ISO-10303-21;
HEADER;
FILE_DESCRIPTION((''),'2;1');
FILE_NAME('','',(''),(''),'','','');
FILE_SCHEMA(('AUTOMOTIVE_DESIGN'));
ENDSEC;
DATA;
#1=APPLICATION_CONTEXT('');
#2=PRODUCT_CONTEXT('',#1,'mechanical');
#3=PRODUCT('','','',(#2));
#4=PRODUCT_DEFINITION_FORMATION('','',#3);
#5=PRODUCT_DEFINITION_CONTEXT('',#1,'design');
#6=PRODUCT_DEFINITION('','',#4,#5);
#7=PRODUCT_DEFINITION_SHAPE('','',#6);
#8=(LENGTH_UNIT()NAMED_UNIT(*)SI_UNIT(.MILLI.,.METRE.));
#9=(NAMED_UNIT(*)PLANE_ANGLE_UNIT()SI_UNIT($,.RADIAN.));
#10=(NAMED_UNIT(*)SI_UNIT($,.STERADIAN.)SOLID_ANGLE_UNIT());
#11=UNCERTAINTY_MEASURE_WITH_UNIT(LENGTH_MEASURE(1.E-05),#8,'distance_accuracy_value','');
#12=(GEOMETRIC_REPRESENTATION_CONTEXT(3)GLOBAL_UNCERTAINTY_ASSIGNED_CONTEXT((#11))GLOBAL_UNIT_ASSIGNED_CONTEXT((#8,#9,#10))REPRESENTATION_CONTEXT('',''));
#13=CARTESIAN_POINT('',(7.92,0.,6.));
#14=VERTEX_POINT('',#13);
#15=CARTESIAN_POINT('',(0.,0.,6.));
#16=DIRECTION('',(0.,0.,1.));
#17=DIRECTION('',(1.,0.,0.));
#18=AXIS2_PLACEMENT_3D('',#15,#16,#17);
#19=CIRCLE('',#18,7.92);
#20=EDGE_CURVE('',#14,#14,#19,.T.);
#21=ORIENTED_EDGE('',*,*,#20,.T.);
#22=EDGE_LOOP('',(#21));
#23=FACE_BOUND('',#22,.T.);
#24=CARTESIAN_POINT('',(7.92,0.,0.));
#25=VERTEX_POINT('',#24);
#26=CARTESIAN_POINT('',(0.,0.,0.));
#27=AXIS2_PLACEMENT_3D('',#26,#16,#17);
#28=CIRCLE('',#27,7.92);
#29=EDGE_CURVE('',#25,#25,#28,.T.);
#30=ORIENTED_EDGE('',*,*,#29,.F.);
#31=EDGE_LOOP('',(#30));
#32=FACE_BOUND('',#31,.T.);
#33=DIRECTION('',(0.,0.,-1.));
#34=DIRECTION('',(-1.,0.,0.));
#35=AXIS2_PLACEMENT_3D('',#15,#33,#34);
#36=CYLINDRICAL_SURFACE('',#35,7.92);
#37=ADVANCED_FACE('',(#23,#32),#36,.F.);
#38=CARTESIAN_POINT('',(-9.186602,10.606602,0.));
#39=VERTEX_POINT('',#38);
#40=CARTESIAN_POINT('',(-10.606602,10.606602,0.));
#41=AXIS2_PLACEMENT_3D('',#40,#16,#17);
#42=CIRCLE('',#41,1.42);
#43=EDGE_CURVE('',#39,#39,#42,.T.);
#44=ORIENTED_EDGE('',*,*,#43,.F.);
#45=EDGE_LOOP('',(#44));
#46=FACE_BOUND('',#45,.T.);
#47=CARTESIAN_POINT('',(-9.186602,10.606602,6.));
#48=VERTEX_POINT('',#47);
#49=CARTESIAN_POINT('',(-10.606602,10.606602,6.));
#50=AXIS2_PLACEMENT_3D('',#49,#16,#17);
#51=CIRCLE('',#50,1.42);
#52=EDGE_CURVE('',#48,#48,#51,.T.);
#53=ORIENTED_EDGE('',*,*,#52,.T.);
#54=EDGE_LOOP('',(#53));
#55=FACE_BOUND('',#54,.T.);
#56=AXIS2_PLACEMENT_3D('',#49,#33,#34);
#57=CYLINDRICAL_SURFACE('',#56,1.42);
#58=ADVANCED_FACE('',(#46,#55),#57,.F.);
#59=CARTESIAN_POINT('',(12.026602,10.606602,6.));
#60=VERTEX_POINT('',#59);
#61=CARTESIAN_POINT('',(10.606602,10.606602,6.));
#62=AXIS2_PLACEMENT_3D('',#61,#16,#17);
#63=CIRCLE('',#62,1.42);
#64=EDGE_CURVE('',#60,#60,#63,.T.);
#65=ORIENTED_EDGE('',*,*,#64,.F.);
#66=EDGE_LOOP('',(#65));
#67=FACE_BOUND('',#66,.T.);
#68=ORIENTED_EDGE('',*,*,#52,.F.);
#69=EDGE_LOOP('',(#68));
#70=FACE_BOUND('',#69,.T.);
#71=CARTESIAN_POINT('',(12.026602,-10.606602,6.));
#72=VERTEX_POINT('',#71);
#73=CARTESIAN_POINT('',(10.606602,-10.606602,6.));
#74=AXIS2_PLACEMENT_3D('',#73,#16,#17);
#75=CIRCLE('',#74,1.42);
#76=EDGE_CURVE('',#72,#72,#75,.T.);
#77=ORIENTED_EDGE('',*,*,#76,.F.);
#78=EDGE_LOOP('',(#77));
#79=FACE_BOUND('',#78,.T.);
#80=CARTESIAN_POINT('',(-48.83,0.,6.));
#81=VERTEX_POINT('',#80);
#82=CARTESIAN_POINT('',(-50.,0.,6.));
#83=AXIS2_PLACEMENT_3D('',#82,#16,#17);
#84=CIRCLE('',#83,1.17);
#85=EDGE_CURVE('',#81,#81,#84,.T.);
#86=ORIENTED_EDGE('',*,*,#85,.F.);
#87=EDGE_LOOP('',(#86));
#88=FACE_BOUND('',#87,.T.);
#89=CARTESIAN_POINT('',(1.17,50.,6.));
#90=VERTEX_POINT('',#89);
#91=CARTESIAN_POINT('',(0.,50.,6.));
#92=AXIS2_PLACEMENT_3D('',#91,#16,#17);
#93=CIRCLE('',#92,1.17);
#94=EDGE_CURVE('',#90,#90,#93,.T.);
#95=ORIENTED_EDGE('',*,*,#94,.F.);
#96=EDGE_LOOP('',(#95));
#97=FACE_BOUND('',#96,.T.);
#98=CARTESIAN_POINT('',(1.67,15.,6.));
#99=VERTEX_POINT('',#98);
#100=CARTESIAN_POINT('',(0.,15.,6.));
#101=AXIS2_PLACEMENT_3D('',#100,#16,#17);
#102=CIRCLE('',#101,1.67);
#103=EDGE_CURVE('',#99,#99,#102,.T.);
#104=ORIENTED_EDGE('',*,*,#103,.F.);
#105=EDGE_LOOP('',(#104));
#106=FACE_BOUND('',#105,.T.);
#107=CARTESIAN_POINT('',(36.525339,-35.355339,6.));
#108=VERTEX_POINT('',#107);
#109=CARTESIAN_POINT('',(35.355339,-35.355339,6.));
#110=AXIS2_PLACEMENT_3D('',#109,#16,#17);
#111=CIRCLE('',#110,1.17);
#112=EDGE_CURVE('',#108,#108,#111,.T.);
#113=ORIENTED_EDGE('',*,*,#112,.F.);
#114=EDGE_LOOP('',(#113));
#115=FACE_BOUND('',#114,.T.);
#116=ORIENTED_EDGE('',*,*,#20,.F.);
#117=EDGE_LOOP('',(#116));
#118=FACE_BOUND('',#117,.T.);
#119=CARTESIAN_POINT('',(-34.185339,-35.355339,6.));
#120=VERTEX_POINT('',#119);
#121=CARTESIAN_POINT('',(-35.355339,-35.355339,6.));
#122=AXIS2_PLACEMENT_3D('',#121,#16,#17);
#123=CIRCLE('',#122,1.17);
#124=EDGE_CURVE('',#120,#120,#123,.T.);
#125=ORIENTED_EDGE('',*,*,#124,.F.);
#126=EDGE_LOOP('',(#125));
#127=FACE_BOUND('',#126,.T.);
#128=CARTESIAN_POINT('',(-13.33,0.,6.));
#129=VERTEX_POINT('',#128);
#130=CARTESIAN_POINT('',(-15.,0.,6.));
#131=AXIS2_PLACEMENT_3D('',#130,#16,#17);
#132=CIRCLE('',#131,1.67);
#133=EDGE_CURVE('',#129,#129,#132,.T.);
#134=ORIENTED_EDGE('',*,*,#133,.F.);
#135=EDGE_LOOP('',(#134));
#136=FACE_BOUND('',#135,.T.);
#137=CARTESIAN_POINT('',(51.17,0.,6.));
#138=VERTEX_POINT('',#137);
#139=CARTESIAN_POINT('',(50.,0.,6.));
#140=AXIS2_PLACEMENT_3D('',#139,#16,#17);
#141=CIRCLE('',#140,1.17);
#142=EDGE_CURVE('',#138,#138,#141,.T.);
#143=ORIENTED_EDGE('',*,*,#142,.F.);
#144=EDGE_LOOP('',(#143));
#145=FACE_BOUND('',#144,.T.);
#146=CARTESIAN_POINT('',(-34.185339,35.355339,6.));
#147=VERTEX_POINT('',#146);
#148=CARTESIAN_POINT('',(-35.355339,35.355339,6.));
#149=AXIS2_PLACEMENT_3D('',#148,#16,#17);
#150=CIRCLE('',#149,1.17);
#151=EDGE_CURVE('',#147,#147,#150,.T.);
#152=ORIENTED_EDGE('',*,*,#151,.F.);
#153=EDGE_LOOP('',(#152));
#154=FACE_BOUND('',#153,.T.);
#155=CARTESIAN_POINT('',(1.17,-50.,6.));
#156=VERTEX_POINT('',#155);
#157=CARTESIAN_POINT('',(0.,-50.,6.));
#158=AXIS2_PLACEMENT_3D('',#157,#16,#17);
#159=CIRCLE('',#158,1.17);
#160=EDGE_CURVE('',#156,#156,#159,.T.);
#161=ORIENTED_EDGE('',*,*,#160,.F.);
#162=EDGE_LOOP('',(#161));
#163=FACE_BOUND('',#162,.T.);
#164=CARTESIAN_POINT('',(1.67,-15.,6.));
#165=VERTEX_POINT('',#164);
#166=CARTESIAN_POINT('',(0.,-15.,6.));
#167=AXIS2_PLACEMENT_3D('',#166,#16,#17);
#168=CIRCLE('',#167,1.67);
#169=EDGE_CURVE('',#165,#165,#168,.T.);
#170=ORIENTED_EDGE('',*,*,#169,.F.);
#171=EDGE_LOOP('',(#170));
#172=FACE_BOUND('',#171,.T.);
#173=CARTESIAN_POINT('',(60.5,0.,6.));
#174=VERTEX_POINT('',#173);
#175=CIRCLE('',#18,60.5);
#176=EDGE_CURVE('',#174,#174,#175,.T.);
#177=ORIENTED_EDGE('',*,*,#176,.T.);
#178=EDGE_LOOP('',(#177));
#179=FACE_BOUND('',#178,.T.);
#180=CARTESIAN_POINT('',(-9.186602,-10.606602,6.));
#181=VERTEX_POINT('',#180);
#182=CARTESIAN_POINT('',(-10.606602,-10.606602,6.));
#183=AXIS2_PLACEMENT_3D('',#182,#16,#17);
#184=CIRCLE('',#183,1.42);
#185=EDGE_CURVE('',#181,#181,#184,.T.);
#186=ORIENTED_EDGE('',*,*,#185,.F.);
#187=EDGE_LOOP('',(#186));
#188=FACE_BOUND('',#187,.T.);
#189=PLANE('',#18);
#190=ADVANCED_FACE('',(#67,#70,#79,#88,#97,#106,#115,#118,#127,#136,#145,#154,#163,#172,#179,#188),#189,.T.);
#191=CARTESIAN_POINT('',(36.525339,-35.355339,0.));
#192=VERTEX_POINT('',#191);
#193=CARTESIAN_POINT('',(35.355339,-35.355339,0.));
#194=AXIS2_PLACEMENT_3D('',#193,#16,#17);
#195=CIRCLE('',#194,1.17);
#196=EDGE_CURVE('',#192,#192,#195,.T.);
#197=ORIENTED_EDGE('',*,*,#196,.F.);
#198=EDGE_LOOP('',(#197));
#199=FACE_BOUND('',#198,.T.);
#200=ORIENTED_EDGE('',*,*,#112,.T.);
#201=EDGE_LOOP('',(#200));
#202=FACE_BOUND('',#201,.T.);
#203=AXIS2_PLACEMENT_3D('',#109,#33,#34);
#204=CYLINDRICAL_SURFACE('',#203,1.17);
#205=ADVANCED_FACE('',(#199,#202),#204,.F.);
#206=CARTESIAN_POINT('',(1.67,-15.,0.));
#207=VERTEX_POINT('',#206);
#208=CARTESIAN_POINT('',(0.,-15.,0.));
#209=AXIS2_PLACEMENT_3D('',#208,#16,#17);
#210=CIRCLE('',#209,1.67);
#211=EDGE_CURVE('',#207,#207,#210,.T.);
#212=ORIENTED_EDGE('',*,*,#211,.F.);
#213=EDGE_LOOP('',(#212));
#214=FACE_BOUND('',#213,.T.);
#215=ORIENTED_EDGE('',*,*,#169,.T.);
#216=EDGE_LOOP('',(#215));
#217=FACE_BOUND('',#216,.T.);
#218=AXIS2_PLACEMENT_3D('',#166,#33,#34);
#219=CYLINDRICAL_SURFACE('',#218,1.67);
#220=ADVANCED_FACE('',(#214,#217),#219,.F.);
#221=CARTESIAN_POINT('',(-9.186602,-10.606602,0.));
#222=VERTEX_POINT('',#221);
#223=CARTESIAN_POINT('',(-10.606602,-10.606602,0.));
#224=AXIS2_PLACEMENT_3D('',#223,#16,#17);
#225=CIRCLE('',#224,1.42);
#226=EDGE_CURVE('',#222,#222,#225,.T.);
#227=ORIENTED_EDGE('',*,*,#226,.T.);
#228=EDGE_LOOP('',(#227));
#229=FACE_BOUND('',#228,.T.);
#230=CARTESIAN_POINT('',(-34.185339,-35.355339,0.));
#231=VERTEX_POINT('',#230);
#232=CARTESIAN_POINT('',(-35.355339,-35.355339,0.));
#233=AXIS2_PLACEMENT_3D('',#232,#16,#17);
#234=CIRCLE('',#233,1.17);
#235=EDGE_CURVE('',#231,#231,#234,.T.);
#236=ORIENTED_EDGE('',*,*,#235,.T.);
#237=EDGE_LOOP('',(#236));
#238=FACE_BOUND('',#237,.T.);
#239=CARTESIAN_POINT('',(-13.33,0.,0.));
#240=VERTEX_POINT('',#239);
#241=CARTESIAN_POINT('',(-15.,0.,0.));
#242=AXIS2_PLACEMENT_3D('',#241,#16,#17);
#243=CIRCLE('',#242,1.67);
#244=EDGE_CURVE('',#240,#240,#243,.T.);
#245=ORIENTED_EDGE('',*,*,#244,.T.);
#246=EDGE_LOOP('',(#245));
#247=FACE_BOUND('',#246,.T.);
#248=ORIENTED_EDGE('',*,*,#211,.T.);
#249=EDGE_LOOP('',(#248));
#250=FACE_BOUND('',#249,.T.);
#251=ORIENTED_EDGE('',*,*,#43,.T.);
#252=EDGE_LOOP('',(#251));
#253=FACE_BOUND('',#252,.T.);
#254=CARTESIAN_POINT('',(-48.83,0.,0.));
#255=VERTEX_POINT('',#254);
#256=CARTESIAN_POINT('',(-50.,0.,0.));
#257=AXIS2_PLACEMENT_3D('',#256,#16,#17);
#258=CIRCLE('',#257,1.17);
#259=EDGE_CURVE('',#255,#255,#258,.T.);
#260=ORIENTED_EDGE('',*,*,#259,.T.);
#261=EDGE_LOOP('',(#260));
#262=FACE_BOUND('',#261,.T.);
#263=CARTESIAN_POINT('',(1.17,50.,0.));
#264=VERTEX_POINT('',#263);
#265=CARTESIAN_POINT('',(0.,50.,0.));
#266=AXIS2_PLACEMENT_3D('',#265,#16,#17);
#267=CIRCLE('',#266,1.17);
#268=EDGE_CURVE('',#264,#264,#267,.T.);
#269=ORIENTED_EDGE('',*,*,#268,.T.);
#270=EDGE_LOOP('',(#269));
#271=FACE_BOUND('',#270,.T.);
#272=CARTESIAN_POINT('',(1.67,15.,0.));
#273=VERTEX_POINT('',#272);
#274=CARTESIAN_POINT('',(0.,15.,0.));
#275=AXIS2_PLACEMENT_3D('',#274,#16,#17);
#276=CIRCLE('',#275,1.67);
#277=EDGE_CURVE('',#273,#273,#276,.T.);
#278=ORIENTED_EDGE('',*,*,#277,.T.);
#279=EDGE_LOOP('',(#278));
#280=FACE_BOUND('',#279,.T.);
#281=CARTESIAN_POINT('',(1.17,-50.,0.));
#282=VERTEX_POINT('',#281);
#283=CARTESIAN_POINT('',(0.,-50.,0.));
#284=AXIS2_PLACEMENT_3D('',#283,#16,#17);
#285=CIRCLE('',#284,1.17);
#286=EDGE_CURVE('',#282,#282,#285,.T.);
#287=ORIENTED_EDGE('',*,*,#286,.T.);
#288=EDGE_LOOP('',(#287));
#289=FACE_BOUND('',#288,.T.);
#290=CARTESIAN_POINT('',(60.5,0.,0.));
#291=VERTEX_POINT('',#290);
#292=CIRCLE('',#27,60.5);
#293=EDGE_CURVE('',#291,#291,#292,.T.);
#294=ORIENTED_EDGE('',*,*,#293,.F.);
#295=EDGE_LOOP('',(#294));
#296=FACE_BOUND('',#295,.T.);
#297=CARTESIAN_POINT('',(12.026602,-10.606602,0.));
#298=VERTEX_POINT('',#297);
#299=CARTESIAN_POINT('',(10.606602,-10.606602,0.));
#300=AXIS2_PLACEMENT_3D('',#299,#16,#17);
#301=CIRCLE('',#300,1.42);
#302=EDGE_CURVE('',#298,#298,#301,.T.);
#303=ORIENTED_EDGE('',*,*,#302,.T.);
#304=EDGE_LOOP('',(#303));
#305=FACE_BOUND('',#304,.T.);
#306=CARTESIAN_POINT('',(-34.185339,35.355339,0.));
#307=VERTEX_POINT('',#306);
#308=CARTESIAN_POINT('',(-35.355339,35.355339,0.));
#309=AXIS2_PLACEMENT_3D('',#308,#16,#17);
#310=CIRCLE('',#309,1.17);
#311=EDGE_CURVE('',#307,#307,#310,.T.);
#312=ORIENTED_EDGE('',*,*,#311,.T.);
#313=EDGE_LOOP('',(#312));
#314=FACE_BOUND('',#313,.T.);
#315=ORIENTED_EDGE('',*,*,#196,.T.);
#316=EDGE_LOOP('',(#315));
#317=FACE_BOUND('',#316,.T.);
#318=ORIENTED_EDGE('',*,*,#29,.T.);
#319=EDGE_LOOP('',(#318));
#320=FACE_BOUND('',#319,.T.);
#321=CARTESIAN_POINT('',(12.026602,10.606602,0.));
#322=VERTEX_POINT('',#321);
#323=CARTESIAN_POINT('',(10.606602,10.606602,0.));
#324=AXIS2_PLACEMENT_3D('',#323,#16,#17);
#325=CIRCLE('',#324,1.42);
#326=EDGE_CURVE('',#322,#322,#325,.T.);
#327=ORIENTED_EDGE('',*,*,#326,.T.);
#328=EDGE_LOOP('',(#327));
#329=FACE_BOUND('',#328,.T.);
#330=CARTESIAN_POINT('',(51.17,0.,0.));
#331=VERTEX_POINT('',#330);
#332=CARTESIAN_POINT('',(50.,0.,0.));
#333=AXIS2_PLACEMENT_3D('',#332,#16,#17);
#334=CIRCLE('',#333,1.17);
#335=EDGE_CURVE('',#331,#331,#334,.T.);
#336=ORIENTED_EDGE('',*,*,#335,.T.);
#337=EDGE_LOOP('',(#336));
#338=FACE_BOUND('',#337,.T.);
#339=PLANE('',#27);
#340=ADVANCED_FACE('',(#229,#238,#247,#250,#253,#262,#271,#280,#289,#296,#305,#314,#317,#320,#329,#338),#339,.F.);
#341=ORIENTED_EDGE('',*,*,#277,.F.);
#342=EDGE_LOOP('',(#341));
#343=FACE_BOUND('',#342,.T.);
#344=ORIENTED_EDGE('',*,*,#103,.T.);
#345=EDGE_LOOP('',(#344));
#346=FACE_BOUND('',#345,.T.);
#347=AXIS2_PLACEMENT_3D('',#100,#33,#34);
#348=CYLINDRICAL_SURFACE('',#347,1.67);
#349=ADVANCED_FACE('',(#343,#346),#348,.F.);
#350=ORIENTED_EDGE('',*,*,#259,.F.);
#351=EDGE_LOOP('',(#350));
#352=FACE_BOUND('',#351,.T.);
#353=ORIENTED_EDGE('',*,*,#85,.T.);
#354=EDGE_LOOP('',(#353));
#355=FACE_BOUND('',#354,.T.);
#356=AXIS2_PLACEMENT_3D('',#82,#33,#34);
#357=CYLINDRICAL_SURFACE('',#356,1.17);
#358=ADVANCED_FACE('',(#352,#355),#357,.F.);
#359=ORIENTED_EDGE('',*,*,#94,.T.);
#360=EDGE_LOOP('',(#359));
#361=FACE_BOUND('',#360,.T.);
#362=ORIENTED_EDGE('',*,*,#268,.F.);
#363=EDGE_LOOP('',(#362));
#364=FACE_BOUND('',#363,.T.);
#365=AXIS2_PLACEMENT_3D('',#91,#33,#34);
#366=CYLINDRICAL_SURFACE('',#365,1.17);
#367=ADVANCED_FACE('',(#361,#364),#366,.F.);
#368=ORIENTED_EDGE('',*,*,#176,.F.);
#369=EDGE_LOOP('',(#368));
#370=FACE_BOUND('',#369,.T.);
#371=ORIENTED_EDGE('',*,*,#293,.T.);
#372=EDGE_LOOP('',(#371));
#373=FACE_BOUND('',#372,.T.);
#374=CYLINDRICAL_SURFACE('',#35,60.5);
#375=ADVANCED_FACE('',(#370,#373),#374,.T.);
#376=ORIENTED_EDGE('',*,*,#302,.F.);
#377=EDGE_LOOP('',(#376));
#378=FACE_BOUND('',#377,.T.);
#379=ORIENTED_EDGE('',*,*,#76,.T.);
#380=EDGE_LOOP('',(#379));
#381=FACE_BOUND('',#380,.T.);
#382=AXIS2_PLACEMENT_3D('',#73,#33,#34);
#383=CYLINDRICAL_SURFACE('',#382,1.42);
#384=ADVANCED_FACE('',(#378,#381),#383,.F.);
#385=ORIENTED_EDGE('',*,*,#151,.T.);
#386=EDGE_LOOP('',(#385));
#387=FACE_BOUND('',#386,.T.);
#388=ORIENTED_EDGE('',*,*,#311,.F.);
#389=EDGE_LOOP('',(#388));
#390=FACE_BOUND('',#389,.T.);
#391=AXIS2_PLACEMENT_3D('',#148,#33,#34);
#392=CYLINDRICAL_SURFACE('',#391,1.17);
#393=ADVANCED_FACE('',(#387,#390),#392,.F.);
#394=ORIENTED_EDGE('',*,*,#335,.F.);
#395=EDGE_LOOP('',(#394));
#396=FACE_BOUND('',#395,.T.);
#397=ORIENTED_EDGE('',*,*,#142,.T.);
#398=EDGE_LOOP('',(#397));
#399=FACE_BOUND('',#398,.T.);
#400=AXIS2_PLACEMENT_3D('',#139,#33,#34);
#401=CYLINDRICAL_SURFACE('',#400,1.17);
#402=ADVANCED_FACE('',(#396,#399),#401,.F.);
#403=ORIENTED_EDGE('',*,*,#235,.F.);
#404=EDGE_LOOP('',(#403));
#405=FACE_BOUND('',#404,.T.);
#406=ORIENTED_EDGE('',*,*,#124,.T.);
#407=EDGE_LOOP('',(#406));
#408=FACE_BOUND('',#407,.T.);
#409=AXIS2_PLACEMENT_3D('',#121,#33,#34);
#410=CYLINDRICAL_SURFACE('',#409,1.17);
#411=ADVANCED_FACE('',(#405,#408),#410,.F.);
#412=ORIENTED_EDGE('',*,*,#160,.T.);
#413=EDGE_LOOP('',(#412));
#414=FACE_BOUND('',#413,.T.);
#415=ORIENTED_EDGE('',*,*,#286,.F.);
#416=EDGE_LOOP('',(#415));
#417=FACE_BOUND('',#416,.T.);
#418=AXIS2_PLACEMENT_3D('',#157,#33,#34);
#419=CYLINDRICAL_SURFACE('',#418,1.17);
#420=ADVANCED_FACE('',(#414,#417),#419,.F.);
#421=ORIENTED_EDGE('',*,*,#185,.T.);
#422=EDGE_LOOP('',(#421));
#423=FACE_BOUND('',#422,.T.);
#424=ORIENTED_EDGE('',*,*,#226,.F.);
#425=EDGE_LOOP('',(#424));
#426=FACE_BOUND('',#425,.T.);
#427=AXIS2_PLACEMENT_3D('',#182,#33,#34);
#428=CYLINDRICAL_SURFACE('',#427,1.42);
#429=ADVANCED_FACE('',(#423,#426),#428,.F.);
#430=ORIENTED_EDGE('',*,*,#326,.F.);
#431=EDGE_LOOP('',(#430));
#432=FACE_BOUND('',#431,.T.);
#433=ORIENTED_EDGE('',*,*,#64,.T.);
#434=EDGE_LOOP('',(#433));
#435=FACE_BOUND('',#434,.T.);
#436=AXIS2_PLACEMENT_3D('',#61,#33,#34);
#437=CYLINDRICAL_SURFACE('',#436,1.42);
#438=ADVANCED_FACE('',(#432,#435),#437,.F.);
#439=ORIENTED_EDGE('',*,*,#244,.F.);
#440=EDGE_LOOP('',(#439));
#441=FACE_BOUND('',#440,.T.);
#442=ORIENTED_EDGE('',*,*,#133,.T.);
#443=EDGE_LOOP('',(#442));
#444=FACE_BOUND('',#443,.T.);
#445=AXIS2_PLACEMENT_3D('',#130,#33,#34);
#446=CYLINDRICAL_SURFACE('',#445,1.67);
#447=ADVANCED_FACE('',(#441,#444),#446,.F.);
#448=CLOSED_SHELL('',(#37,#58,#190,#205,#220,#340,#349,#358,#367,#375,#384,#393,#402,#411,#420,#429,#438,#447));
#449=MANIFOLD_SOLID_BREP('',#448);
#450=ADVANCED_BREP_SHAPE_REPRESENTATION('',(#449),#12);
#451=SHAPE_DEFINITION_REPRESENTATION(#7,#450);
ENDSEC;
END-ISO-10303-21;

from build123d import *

# Parameters (mm, degrees)
SKETCH1_R           = 60.5
SKETCH1_R_2         = 1.25
SKETCH1_R_3         = 8
SKETCH1_R_4         = 1.75
SKETCH1_R_5         = 1.5
BOSS_EXTRUDE1_DEPTH = 6
MOVE_FACE1_BY       = 0.08
MOVE_FACE1_2_BY     = 0.08
MOVE_FACE1_3_BY     = 0.08
MOVE_FACE1_4_BY     = 0.08
MOVE_FACE1_5_BY     = 0.08
MOVE_FACE1_6_BY     = 0.08
MOVE_FACE1_7_BY     = 0.08
MOVE_FACE1_8_BY     = 0.08
MOVE_FACE1_9_BY     = 0.08
MOVE_FACE1_10_BY    = 0.08
MOVE_FACE1_11_BY    = 0.08
MOVE_FACE1_12_BY    = 0.08
MOVE_FACE1_13_BY    = 0.08
MOVE_FACE1_14_BY    = 0.08
MOVE_FACE1_15_BY    = 0.08


with BuildPart() as part:
    # Sketch1 → Boss-Extrude1 (new body)
    with BuildSketch(Plane.XY):
        Circle(SKETCH1_R)
        with Locations((35.355339059, -35.355339059)):
            Circle(SKETCH1_R_2, mode=Mode.SUBTRACT)
        Circle(SKETCH1_R_3, mode=Mode.SUBTRACT)
        with Locations((0, -15)):
            Circle(SKETCH1_R_4, mode=Mode.SUBTRACT)
        with Locations((10.606601718, -10.606601718)):
            Circle(SKETCH1_R_5, mode=Mode.SUBTRACT)
        with Locations((0, -50)):
            Circle(SKETCH1_R_2, mode=Mode.SUBTRACT)
        with Locations((-15, 0)):
            Circle(SKETCH1_R_4, mode=Mode.SUBTRACT)
        with Locations((-10.606601718, -10.606601718)):
            Circle(SKETCH1_R_5, mode=Mode.SUBTRACT)
        with Locations((0, 15)):
            Circle(SKETCH1_R_4, mode=Mode.SUBTRACT)
        with Locations((-10.606601718, 10.606601718)):
            Circle(SKETCH1_R_5, mode=Mode.SUBTRACT)
        with Locations((10.606601718, 10.606601718)):
            Circle(SKETCH1_R_5, mode=Mode.SUBTRACT)
        with Locations((-35.355339059, -35.355339059)):
            Circle(SKETCH1_R_2, mode=Mode.SUBTRACT)
        with Locations((-50, 0)):
            Circle(SKETCH1_R_2, mode=Mode.SUBTRACT)
        with Locations((-35.355339059, 35.355339059)):
            Circle(SKETCH1_R_2, mode=Mode.SUBTRACT)
        with Locations((0, 50)):
            Circle(SKETCH1_R_2, mode=Mode.SUBTRACT)
        with Locations((50, 0)):
            Circle(SKETCH1_R_2, mode=Mode.SUBTRACT)
    extrude(amount=BOSS_EXTRUDE1_DEPTH)

    # Move Face1: a curved face moved outward by 0.08
    add(Solid.thicken(part.faces().sort_by_distance((34.105339059, -35.355339059, 3))[0], MOVE_FACE1_BY))

    # Move Face1 2: a curved face moved outward by 0.08
    add(Solid.thicken(part.faces().sort_by_distance((-8, 0, 3))[0], MOVE_FACE1_2_BY))

    # Move Face1 3: a curved face moved outward by 0.08
    add(Solid.thicken(part.faces().sort_by_distance((-1.75, -15, 3))[0], MOVE_FACE1_3_BY))

    # Move Face1 4: a curved face moved outward by 0.08
    add(Solid.thicken(part.faces().sort_by_distance((9.106601718, -10.606601718, 3))[0], MOVE_FACE1_4_BY))

    # Move Face1 5: a curved face moved outward by 0.08
    add(Solid.thicken(part.faces().sort_by_distance((-1.25, -50, 3))[0], MOVE_FACE1_5_BY))

    # Move Face1 6: a curved face moved outward by 0.08
    add(Solid.thicken(part.faces().sort_by_distance((-36.605339059, -35.355339059, 3))[0], MOVE_FACE1_6_BY))

    # Move Face1 7: a curved face moved outward by 0.08
    add(Solid.thicken(part.faces().sort_by_distance((-16.75, 0, 3))[0], MOVE_FACE1_7_BY))

    # Move Face1 8: a curved face moved outward by 0.08
    add(Solid.thicken(part.faces().sort_by_distance((-12.106601718, -10.606601718, 3))[0], MOVE_FACE1_8_BY))

    # Move Face1 9: a curved face moved outward by 0.08
    add(Solid.thicken(part.faces().sort_by_distance((-1.75, 15, 3))[0], MOVE_FACE1_9_BY))

    # Move Face1 10: a curved face moved outward by 0.08
    add(Solid.thicken(part.faces().sort_by_distance((-12.106601718, 10.606601718, 3))[0], MOVE_FACE1_10_BY))

    # Move Face1 11: a curved face moved outward by 0.08
    add(Solid.thicken(part.faces().sort_by_distance((9.106601718, 10.606601718, 3))[0], MOVE_FACE1_11_BY))

    # Move Face1 12: a curved face moved outward by 0.08
    add(Solid.thicken(part.faces().sort_by_distance((-51.25, 0, 3))[0], MOVE_FACE1_12_BY))

    # Move Face1 13: a curved face moved outward by 0.08
    add(Solid.thicken(part.faces().sort_by_distance((-36.605339059, 35.355339059, 3))[0], MOVE_FACE1_13_BY))

    # Move Face1 14: a curved face moved outward by 0.08
    add(Solid.thicken(part.faces().sort_by_distance((-1.25, 50, 3))[0], MOVE_FACE1_14_BY))

    # Move Face1 15: a curved face moved outward by 0.08
    add(Solid.thicken(part.faces().sort_by_distance((48.75, 0, 3))[0], MOVE_FACE1_15_BY))


solid = part.part
